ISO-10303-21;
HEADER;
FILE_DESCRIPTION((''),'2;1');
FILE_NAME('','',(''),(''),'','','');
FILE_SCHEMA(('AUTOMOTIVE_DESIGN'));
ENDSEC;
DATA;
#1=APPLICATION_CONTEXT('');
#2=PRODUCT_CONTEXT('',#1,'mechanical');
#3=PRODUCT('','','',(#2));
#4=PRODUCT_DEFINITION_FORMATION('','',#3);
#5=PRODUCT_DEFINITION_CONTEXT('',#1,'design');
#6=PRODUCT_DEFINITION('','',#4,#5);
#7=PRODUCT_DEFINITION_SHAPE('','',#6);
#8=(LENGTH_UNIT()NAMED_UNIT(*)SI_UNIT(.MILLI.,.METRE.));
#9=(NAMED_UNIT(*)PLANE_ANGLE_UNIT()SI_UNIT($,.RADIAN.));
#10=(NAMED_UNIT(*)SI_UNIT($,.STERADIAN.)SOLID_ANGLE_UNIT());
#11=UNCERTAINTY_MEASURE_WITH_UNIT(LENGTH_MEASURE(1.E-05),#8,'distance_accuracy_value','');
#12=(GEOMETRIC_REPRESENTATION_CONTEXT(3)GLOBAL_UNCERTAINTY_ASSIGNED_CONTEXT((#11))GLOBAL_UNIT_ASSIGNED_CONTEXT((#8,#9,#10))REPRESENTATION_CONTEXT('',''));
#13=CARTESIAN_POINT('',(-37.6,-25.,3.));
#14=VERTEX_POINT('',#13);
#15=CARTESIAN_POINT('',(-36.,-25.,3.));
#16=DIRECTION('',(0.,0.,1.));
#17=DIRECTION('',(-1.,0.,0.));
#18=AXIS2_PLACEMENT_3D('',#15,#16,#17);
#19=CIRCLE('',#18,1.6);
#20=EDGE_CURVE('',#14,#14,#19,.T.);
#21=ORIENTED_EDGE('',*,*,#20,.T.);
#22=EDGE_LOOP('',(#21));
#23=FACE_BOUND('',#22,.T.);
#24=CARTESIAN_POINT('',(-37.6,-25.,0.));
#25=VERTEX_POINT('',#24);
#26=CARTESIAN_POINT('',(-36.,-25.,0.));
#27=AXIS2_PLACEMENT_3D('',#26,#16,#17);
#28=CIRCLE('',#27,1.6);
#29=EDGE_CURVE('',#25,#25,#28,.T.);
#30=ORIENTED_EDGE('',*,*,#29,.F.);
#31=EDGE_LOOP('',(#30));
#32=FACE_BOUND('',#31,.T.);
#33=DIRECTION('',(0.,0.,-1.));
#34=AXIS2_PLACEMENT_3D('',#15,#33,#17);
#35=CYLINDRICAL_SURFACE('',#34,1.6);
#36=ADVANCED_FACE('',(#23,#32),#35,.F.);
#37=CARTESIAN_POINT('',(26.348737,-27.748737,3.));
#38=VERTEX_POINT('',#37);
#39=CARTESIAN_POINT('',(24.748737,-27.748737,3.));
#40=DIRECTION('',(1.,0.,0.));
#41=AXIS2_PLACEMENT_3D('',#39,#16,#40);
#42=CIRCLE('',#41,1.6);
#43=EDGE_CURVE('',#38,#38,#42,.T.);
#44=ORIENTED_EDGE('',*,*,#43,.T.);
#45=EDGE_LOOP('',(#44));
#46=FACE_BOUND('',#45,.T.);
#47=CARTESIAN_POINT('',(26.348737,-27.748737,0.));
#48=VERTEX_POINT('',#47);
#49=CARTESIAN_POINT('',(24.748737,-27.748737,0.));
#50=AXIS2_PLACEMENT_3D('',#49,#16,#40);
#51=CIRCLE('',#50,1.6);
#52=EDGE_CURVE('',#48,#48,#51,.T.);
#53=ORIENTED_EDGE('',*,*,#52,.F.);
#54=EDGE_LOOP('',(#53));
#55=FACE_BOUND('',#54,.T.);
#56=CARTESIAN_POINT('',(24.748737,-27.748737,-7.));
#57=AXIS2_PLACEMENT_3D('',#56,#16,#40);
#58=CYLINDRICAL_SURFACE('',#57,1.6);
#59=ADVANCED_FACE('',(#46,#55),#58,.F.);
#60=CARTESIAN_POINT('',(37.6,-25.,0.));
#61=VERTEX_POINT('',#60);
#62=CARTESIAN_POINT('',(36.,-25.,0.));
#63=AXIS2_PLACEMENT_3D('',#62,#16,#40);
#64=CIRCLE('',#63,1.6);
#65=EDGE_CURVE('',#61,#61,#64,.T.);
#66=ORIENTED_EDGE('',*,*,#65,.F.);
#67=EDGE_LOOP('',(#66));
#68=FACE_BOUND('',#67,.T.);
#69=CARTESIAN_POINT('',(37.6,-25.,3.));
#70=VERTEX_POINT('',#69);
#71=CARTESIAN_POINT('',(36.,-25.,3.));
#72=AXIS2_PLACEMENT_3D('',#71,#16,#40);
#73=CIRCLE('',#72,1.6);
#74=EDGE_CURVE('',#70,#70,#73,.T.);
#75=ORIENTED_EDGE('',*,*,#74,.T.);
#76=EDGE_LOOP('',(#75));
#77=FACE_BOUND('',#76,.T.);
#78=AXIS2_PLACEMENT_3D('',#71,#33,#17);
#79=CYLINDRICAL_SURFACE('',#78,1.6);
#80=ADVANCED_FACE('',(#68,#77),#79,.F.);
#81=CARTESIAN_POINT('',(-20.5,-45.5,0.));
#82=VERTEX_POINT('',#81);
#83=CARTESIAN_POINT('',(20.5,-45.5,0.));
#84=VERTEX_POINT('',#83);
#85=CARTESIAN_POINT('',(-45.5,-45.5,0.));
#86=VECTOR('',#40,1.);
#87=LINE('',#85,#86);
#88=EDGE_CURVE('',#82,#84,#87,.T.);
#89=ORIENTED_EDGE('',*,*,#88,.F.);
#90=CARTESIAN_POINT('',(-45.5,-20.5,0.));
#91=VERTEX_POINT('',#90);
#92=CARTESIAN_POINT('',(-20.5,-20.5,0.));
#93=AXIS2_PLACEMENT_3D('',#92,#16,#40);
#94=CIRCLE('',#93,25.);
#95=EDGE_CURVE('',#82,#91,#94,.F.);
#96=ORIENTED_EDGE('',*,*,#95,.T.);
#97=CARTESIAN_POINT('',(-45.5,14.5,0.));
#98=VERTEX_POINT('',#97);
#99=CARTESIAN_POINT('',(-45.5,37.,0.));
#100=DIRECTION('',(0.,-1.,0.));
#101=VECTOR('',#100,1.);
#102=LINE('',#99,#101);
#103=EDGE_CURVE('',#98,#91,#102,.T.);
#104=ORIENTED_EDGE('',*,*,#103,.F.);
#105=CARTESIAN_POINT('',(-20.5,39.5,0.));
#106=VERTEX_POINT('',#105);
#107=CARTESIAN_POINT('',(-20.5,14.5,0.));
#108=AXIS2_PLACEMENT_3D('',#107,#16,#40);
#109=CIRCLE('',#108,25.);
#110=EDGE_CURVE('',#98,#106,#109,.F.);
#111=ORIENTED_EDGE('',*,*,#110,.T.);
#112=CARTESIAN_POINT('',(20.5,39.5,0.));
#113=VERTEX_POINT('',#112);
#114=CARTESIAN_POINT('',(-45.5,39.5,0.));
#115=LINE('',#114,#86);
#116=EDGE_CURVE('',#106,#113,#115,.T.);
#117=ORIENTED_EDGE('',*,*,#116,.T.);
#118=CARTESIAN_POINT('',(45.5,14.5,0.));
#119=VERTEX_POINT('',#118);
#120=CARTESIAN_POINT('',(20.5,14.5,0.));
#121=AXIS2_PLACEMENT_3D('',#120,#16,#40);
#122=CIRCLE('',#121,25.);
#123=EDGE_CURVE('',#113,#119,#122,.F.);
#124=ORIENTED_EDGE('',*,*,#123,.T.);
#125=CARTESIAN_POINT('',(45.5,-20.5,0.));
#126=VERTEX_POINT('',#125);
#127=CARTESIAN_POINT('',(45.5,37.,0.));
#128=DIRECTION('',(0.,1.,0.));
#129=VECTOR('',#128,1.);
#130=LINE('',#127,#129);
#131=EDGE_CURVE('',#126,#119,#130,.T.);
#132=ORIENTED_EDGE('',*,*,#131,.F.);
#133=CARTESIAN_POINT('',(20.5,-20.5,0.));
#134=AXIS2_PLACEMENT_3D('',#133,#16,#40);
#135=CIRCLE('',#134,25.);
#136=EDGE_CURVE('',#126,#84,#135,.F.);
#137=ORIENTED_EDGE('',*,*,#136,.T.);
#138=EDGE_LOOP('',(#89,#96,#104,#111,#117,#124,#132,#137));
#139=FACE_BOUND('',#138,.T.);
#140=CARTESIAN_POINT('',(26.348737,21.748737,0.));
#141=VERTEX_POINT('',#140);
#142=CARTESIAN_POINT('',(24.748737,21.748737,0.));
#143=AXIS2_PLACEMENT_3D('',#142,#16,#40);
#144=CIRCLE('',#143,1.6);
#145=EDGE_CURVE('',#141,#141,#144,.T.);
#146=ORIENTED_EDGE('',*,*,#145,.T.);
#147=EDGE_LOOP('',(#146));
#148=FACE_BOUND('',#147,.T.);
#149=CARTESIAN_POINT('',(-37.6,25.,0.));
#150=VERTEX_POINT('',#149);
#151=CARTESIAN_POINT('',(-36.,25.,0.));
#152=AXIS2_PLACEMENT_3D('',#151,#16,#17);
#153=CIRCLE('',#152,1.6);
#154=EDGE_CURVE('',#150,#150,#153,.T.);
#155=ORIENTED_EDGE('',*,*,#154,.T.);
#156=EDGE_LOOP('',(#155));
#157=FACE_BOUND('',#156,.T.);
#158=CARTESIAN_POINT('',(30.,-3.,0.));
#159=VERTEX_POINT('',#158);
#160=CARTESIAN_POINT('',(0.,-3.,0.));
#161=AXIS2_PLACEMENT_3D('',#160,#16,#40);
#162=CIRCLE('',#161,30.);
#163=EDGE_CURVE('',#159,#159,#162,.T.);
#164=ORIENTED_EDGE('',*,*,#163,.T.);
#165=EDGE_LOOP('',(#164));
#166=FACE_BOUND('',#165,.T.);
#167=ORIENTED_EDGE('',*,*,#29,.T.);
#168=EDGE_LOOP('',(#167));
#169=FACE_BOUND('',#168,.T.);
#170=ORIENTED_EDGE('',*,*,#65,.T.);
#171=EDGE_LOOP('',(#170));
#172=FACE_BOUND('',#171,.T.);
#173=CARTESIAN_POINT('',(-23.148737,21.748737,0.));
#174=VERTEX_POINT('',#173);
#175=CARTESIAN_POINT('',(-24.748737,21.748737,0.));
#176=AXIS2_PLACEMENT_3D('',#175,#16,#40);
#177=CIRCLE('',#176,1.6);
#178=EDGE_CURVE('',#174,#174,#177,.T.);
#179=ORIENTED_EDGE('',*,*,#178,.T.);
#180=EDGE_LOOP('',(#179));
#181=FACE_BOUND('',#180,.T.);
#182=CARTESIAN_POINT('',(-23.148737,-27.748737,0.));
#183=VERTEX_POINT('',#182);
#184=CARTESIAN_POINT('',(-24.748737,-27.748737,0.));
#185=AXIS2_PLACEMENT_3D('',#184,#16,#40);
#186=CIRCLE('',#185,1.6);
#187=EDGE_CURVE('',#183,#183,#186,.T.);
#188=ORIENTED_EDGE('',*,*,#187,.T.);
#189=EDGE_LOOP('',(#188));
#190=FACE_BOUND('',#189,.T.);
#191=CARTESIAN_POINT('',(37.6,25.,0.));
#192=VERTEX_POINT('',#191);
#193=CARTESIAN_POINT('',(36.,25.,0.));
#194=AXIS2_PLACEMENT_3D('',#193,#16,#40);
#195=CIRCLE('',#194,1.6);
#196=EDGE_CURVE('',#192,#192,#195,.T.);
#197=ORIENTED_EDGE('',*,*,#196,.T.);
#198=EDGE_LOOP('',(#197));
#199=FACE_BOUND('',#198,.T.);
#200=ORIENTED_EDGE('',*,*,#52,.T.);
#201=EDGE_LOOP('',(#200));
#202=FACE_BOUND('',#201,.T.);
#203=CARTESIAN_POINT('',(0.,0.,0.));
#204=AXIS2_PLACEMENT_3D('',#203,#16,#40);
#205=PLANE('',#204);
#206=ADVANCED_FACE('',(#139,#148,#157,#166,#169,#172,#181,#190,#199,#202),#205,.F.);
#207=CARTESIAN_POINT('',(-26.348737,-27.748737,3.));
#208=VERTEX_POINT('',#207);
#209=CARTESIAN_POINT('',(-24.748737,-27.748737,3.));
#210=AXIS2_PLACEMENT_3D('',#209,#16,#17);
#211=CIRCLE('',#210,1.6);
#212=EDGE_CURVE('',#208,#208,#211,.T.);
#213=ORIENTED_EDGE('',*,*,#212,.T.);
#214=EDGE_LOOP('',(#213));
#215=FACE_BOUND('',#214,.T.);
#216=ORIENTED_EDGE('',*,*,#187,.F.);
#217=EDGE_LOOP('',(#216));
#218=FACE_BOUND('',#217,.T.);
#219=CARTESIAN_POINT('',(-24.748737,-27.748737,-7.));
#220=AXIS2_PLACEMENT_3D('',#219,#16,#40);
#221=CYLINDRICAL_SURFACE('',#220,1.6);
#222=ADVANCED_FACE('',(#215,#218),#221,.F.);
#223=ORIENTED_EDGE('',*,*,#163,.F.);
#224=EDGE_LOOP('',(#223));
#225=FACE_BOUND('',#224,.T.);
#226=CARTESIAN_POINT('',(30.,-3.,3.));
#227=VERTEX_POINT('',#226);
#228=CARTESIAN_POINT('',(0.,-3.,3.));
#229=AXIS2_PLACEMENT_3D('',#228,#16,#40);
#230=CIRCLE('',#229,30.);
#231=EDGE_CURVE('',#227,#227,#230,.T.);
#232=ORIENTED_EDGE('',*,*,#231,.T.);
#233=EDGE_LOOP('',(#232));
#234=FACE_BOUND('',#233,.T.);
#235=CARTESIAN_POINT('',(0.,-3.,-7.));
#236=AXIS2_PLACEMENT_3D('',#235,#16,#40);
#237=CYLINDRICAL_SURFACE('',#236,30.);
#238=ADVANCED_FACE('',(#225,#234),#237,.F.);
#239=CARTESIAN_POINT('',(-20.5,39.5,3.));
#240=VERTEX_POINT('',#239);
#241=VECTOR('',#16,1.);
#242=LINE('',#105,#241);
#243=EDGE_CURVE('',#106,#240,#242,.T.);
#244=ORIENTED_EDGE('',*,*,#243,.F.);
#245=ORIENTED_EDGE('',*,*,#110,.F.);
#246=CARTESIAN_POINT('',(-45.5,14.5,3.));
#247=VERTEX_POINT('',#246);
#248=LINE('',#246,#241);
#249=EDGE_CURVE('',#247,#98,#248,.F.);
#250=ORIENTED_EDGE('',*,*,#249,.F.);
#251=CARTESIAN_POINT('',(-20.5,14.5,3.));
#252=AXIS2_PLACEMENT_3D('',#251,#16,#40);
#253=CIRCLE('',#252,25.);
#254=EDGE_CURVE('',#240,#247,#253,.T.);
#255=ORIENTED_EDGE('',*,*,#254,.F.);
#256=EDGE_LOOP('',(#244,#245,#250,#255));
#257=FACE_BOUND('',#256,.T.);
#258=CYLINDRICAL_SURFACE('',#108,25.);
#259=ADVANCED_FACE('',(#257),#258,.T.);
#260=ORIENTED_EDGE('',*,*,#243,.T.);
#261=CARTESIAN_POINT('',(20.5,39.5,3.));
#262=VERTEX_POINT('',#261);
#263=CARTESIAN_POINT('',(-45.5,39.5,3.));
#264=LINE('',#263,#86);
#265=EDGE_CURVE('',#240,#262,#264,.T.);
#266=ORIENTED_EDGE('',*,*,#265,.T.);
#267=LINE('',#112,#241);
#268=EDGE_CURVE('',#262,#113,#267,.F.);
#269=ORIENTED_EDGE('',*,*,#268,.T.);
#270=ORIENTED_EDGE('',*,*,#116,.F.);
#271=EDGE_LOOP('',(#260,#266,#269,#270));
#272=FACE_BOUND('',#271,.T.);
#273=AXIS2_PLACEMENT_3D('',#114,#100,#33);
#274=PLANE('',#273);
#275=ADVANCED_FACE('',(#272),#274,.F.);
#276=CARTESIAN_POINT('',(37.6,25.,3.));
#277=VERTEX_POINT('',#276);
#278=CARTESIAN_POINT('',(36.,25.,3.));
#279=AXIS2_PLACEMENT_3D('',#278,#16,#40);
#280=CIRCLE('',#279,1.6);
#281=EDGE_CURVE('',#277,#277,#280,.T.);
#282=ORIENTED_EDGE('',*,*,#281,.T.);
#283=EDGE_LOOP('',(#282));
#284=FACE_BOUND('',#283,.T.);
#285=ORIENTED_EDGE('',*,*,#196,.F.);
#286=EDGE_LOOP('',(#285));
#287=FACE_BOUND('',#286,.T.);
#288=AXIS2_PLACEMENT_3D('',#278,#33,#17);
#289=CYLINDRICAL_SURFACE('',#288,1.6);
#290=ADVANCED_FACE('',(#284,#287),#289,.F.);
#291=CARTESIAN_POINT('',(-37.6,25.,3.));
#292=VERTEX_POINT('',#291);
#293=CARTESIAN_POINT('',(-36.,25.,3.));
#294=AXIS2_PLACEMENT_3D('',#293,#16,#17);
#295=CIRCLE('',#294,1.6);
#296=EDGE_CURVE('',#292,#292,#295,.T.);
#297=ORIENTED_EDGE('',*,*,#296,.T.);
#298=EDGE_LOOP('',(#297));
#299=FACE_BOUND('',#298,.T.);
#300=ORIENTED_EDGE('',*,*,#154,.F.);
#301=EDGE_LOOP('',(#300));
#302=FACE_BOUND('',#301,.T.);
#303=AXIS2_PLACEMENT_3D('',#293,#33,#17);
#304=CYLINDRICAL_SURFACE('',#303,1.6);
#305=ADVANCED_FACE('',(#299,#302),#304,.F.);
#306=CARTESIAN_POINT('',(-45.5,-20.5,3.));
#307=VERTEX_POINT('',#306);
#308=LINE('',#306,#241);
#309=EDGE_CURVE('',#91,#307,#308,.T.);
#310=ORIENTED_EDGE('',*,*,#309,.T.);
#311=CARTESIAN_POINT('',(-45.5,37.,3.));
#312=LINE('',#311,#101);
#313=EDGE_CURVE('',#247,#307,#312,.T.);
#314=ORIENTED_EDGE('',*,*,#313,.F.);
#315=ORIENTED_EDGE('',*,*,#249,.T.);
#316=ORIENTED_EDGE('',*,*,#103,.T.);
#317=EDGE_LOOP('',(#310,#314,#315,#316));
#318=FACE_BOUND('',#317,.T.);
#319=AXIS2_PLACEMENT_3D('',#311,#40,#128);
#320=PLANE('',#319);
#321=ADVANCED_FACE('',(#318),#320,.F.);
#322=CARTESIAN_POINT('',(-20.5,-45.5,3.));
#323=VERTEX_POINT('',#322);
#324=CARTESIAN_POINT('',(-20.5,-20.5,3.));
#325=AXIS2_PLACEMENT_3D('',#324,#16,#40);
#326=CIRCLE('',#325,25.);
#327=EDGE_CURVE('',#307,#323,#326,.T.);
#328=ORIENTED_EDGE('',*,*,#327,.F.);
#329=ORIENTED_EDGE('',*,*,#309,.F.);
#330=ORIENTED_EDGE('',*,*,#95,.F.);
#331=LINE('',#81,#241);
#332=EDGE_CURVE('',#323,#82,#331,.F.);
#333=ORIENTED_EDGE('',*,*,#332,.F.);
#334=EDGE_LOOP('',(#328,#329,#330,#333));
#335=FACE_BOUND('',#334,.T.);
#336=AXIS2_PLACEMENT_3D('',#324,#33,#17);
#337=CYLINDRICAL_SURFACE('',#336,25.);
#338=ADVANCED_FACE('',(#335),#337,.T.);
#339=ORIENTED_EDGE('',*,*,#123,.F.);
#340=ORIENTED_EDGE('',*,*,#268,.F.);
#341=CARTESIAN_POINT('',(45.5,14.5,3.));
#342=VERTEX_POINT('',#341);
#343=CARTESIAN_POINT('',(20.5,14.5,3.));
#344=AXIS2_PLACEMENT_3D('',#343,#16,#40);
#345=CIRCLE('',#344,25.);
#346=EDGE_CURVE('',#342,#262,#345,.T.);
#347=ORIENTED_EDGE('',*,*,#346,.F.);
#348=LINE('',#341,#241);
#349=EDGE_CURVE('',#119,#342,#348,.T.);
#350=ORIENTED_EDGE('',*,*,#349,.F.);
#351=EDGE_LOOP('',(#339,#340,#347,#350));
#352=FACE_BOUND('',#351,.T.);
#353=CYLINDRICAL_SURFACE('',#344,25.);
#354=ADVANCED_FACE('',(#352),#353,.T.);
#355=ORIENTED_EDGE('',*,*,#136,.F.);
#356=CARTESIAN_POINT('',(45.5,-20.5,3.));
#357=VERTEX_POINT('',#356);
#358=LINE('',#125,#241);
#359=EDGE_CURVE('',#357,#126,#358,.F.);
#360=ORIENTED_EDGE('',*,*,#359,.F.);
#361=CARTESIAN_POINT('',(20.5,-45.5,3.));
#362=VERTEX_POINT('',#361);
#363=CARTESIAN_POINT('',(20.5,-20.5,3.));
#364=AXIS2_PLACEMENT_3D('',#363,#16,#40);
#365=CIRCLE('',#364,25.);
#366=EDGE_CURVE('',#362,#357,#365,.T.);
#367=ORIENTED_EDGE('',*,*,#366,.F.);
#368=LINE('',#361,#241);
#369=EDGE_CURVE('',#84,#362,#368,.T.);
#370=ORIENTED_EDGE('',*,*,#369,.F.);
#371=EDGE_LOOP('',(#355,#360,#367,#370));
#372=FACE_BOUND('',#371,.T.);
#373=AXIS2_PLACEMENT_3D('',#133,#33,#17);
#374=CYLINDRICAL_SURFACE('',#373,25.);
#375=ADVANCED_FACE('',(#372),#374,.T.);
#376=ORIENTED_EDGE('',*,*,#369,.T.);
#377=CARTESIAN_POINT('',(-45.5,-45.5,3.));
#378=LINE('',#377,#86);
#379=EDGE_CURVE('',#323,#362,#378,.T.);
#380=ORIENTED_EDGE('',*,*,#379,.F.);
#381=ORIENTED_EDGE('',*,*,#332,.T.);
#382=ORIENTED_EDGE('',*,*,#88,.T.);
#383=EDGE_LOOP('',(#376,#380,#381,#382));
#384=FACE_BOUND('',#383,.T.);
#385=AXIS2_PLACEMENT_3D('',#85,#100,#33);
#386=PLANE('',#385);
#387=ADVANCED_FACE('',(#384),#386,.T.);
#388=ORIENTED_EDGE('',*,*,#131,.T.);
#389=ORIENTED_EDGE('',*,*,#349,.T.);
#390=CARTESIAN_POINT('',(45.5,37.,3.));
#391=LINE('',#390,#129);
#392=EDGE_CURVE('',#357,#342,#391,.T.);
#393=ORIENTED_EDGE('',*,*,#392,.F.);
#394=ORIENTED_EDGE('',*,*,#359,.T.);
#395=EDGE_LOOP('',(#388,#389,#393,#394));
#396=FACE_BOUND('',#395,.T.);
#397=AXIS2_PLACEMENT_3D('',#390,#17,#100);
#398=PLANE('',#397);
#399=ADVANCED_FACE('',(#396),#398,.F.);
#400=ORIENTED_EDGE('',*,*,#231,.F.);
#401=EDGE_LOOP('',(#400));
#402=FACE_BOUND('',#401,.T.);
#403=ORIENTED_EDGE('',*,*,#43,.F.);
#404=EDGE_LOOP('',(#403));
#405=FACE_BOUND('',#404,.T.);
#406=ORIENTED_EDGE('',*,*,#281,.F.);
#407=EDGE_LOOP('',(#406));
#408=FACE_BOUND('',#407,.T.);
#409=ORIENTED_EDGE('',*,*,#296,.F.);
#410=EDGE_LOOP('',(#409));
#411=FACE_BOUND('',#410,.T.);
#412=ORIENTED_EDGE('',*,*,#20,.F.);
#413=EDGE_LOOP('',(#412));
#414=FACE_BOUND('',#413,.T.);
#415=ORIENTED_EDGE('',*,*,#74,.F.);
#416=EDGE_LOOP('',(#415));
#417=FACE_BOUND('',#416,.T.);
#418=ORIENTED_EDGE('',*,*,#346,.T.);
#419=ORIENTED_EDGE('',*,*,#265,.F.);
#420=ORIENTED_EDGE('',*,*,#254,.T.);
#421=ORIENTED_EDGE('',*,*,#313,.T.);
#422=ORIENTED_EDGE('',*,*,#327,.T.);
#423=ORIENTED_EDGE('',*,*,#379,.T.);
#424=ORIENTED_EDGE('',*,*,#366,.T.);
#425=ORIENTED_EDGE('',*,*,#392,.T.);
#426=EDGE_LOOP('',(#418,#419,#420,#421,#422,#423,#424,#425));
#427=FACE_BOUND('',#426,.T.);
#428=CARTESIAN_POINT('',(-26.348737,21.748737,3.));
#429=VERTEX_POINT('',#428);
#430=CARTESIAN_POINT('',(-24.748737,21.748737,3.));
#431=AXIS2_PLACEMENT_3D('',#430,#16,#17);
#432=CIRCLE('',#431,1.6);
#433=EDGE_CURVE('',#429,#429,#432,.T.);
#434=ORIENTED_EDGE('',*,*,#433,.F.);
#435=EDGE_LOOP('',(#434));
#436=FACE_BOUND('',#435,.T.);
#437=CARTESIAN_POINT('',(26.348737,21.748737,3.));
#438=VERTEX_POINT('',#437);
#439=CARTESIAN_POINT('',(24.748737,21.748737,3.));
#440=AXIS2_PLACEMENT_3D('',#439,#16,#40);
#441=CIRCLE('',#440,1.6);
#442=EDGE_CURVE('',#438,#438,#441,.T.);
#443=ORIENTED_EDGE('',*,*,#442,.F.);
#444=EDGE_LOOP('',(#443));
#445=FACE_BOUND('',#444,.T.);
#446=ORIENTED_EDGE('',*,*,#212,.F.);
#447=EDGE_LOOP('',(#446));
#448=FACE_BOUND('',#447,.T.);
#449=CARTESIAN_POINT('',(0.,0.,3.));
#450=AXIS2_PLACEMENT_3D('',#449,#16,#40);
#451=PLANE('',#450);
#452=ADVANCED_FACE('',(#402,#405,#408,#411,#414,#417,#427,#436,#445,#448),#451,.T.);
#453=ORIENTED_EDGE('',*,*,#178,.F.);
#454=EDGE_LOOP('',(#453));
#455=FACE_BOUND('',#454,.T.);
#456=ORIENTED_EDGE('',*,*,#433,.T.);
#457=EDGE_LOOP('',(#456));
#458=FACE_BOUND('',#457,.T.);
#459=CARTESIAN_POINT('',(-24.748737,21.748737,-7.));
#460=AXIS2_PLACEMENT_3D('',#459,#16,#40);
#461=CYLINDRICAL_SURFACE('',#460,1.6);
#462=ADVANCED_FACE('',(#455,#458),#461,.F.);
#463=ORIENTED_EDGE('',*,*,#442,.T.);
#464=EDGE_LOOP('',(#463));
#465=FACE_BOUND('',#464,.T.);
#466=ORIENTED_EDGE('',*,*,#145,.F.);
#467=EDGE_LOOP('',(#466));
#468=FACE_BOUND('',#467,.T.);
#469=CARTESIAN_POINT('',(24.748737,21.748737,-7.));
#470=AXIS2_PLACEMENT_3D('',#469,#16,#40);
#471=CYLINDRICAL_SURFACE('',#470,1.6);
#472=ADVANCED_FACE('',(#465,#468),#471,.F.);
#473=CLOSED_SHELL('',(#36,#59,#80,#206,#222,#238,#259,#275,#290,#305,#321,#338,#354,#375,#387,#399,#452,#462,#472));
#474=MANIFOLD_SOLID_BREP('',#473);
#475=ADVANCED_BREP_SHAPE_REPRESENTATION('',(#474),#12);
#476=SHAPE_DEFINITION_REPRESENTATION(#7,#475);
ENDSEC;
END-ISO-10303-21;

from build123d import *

# Parameters (mm, degrees)
SKETCH_1_W          = 91
SKETCH_1_H          = 74
SKETCH_1_R          = 1.6
EXTRUDE_1_DEPTH     = 3
SKETCH_2_R          = 30
SKETCH_2_R_2        = 1.6
CUT_EXTRUDE_1_DEPTH = 10
SKETCH_3_W          = 91
SKETCH_3_H          = 6
CUT_EXTRUDE_2_DEPTH = 10
SKETCH_4_W          = 91
SKETCH_4_H          = 8.5
SKETCH_4_H_2        = 14.5
EXTRUDE_2_DEPTH     = 3
SKETCH_5_W          = 91
SKETCH_5_H          = 6
CUT_EXTRUDE_3_DEPTH = 3
FILLET_4_R          = 25


with BuildPart() as part:
    # 草图1 → 凸台-拉伸1 (new body)
    with BuildSketch(Plane.XY):
        Rectangle(SKETCH_1_W, SKETCH_1_H)
        with Locations((36, -25)):
            Circle(SKETCH_1_R, mode=Mode.SUBTRACT)
        with Locations((36, 25)):
            Circle(SKETCH_1_R, mode=Mode.SUBTRACT)
        with Locations(Location((-36, 25, 0), (0, 0, 180))):
            Circle(SKETCH_1_R, mode=Mode.SUBTRACT)
        with Locations(Location((-36, -25, 0), (0, 0, 180))):
            Circle(SKETCH_1_R, mode=Mode.SUBTRACT)
    extrude(amount=EXTRUDE_1_DEPTH)

    # 草图2 → 切除-拉伸1 (cut)
    with BuildSketch(Plane.XY.offset(3)):
        with Locations((0, -3)):
            Circle(SKETCH_2_R)
        with Locations((24.748737342, -27.748737342)):
            Circle(SKETCH_2_R_2)
        with Locations((24.748737342, 21.748737342)):
            Circle(SKETCH_2_R_2)
        with Locations((-24.748737342, -27.748737342)):
            Circle(SKETCH_2_R_2)
        with Locations((-24.748737342, 21.748737342)):
            Circle(SKETCH_2_R_2)
    extrude(amount=-CUT_EXTRUDE_1_DEPTH, mode=Mode.SUBTRACT)

    # 草图3 → 切除-拉伸2 (cut)
    with BuildSketch(Plane.XY.offset(3)):
        with Locations((0, 34)):
            Rectangle(SKETCH_3_W, SKETCH_3_H)
    extrude(amount=-CUT_EXTRUDE_2_DEPTH, mode=Mode.SUBTRACT)

    # 草图4 → 凸台-拉伸2 (add)
    with BuildSketch(Plane.XY.offset(3)):
        with Locations((0, -41.25)):
            Rectangle(SKETCH_4_W, SKETCH_4_H)
        with Locations((0, 38.25)):
            Rectangle(SKETCH_4_W, SKETCH_4_H_2)
    extrude(amount=-EXTRUDE_2_DEPTH)

    # 草图5 → 切除-拉伸3 (cut)
    with BuildSketch(Plane.XY.offset(3)):
        with Locations((0, 42.5)):
            Rectangle(SKETCH_5_W, SKETCH_5_H)
    extrude(amount=-CUT_EXTRUDE_3_DEPTH, mode=Mode.SUBTRACT)

    # 圆角4
    fillet_4_edges = [part.edges().sort_by_distance(p)[0] for p in [
        (-45.5, 39.5, 1.5),
        (45.5, 39.5, 1.5),
        (-45.5, -45.5, 1.5),
        (45.5, -45.5, 1.5),
    ]]
    fillet(fillet_4_edges, radius=FILLET_4_R)


solid = part.part
